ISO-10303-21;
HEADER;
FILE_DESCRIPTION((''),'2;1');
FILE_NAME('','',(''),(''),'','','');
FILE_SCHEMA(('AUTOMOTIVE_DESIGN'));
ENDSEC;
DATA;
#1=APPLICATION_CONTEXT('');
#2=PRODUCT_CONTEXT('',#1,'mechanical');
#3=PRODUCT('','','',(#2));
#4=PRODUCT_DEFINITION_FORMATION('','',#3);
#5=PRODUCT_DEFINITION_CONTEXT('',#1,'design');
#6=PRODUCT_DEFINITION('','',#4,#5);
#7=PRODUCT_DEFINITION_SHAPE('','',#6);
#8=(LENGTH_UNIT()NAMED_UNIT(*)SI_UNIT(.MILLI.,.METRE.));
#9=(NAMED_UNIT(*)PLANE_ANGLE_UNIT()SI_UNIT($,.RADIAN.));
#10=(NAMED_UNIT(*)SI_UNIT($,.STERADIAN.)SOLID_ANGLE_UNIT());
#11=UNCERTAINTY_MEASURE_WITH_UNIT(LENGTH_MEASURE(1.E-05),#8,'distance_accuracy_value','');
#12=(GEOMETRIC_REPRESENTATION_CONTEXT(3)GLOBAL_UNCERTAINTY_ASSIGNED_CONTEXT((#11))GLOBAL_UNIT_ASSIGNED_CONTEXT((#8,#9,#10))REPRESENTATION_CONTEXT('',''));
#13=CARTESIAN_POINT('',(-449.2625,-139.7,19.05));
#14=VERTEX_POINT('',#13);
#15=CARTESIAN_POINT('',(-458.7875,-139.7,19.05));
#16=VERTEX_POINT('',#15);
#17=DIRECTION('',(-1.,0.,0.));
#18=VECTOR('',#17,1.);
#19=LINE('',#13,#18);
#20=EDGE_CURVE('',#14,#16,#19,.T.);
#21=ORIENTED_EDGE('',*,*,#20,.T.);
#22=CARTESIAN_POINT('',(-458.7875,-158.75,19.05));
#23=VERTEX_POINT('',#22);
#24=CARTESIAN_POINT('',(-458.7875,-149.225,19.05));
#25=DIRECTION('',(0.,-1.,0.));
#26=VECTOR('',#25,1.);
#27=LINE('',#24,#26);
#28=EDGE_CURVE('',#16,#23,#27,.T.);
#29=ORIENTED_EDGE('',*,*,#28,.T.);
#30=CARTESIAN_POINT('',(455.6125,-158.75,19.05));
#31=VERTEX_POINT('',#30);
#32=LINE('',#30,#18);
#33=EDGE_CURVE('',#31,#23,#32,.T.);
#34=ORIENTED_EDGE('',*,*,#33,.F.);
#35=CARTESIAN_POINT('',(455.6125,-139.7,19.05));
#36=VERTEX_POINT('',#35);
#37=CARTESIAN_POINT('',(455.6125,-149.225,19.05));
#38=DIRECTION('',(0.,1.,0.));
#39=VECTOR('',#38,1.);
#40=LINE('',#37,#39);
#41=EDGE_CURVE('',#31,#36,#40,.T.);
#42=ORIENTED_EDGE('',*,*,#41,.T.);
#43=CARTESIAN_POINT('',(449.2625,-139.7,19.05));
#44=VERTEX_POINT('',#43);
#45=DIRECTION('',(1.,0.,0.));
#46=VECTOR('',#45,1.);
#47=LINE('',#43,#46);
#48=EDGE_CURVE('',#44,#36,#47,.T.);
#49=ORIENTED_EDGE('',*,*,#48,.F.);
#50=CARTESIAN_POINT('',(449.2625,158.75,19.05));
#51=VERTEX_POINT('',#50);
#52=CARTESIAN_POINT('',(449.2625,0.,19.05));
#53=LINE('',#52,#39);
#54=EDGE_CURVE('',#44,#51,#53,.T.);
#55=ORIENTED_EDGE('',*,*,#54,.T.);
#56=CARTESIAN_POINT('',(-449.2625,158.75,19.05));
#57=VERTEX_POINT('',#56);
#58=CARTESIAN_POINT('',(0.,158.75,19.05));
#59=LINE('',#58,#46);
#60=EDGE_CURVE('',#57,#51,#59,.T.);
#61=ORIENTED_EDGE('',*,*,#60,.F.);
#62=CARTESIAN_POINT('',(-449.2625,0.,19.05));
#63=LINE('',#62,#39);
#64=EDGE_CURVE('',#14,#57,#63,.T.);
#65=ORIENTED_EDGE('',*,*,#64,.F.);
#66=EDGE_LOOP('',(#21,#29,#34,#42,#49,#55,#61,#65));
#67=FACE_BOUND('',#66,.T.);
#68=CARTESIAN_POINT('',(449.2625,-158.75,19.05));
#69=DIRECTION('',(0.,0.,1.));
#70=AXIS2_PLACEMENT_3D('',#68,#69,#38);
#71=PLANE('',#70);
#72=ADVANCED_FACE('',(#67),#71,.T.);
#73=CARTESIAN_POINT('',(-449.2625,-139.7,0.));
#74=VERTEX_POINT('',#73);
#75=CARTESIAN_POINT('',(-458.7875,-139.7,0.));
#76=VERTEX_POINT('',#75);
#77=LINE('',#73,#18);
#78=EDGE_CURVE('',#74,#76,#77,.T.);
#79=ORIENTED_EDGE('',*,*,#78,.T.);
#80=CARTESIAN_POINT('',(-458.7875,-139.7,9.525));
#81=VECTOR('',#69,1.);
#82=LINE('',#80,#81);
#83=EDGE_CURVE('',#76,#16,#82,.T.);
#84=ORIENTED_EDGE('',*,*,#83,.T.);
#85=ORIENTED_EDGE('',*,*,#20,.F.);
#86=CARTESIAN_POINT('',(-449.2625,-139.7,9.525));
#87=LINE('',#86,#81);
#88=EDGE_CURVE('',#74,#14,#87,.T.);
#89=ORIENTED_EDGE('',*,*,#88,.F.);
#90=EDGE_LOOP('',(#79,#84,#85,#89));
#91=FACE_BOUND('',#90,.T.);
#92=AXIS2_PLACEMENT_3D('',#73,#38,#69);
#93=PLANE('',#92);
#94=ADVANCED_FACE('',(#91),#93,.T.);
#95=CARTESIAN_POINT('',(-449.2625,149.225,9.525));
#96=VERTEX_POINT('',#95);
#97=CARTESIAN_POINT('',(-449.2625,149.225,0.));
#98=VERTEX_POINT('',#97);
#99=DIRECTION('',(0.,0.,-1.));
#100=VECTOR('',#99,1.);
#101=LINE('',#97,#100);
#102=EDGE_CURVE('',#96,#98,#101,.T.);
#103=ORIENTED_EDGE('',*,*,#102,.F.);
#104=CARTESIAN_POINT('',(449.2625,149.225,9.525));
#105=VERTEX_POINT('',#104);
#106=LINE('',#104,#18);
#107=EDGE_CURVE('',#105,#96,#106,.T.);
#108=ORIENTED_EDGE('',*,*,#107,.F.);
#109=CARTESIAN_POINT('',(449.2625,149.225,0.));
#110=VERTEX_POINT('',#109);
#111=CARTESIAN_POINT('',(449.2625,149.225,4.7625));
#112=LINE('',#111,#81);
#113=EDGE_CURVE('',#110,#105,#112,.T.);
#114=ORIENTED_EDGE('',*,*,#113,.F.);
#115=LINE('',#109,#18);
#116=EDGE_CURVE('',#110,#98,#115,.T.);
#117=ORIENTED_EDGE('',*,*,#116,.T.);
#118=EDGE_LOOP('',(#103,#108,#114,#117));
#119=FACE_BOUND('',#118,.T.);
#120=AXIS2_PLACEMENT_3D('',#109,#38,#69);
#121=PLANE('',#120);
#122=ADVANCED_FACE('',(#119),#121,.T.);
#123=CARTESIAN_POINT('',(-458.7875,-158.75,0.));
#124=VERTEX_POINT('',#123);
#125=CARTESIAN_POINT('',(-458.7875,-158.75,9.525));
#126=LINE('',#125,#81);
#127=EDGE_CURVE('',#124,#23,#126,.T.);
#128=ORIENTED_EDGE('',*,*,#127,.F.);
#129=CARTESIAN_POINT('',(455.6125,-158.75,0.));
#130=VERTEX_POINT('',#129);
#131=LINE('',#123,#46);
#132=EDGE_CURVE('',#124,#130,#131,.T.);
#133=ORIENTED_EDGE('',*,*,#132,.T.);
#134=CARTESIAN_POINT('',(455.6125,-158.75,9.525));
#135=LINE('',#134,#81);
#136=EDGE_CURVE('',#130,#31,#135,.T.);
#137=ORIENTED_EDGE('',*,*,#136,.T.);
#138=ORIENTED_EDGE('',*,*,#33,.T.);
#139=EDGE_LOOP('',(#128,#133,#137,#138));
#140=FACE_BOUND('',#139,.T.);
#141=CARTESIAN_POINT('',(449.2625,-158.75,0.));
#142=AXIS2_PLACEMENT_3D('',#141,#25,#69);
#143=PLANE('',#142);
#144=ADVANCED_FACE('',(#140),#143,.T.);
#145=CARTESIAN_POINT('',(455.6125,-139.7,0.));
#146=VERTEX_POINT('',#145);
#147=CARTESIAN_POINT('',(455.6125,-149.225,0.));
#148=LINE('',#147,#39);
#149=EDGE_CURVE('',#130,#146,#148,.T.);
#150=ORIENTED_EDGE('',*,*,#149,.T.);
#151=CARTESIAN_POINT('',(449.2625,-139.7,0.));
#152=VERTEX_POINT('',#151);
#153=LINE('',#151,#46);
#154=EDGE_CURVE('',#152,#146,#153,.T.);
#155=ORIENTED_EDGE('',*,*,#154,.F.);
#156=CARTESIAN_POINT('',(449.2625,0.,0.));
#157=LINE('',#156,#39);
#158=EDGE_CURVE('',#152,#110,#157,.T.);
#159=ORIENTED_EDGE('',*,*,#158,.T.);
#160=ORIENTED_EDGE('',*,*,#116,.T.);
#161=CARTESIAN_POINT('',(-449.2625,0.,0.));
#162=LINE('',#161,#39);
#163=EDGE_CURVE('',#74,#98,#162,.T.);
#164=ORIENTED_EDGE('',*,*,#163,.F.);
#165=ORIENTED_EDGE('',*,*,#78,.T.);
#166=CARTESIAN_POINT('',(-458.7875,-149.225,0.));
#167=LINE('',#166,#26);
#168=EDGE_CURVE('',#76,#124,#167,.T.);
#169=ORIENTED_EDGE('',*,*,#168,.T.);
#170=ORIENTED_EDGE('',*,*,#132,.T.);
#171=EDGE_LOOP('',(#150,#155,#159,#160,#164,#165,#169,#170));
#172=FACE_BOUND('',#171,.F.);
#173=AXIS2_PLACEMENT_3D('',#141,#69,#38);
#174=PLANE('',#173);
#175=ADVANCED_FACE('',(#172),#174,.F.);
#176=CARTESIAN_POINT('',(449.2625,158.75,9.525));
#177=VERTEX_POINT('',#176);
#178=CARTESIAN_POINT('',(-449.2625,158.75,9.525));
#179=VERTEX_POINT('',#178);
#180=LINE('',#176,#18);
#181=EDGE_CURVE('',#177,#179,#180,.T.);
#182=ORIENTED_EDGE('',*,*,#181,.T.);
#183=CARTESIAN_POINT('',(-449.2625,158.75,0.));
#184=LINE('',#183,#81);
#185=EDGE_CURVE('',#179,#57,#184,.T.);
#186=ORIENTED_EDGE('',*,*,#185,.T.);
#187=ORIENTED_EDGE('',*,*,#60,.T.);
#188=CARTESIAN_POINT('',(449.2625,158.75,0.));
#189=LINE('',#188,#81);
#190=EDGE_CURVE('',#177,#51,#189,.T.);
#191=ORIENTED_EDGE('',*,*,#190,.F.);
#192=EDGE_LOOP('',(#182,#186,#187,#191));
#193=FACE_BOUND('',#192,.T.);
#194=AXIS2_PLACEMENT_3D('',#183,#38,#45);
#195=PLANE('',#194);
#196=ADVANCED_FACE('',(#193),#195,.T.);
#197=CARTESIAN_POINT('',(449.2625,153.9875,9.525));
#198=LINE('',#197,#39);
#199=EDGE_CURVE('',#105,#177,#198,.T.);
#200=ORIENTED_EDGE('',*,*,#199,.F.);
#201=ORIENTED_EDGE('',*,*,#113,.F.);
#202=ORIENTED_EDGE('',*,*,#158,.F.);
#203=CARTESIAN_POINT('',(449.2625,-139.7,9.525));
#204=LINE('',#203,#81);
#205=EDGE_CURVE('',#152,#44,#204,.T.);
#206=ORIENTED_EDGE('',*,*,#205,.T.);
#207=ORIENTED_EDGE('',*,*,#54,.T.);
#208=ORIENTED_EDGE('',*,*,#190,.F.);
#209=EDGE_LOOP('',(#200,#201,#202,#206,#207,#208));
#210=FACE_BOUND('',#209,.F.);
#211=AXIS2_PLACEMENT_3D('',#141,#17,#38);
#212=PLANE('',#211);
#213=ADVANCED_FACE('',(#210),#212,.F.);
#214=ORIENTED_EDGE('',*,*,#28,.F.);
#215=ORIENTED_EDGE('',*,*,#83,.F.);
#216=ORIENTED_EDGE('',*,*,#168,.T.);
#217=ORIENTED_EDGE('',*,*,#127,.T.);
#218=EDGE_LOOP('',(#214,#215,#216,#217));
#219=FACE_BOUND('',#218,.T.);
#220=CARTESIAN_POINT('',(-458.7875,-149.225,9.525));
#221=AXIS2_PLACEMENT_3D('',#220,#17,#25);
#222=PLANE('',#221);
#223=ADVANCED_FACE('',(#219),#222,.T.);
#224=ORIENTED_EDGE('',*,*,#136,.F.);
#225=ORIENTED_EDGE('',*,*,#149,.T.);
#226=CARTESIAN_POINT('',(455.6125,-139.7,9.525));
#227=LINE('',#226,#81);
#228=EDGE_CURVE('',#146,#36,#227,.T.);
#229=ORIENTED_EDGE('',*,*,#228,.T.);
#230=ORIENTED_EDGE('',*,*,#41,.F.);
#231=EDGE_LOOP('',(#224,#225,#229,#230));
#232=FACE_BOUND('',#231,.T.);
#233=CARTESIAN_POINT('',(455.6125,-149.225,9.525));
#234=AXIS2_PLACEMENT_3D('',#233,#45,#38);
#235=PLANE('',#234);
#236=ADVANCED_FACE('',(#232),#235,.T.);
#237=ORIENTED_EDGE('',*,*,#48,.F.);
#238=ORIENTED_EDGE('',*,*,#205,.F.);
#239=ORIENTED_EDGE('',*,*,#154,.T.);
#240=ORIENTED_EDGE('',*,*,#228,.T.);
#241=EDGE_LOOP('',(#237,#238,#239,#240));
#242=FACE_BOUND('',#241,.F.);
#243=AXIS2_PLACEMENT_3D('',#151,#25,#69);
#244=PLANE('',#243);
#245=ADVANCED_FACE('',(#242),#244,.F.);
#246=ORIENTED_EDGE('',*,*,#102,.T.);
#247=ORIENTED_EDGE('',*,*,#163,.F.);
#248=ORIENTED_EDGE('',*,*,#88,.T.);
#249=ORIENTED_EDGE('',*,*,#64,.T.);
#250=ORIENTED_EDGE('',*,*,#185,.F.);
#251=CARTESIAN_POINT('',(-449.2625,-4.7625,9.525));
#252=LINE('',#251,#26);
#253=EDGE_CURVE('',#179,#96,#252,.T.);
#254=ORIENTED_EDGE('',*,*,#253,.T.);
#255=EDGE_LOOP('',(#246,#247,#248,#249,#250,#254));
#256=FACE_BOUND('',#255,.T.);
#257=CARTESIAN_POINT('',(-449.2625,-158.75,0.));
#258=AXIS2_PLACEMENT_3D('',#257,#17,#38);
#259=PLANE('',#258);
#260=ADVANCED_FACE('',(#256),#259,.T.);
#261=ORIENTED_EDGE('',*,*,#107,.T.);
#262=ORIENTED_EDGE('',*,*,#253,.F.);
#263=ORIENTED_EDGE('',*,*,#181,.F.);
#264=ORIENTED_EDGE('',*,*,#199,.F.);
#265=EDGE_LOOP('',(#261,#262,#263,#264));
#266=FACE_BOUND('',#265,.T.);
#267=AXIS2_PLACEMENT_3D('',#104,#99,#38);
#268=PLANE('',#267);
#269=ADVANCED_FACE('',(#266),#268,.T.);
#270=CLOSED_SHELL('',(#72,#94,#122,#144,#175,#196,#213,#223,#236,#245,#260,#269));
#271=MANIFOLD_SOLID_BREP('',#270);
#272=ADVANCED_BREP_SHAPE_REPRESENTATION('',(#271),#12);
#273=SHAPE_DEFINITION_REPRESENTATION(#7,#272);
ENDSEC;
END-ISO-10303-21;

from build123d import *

# Parameters (mm, degrees)
F0_W     = 898.525
F0_H     = 317.5
F1_DEPTH = 19.05
F2_W     = 9.525
F2_H     = 9.525
F3_DEPTH = 898.526
F4_W     = 19.05
F4_H     = 19.05
F5_DEPTH = 9.525
F6_W     = 19.05
F6_H     = 19.05
F7_DEPTH = 6.35


with BuildPart() as f1:
    # F0 (on Top) → F1 (new body)
    with BuildSketch(Plane.XY):
        Rectangle(F0_W, F0_H)
    extrude(amount=F1_DEPTH)

    # F2 (on face) → F3 (cut, through all)
    with BuildSketch(Plane.YZ.offset(449.2625)):
        with Locations((153.9875, 4.7625)):
            Rectangle(F2_W, F2_H)
    extrude(amount=-F3_DEPTH, mode=Mode.SUBTRACT)

    # F4 (on face) → F5 (join)
    with BuildSketch(Plane(origin=(-449.2625, 0, 0), x_dir=(0, -1, 0), z_dir=(-1, 0, 0))):
        with Locations((149.225, 9.525)):
            Rectangle(F4_W, F4_H)
    extrude(amount=F5_DEPTH)

    # F6 (on face) → F7 (join)
    with BuildSketch(Plane.YZ.offset(449.2625)):
        with Locations((-149.225, 9.525)):
            Rectangle(F6_W, F6_H)
    extrude(amount=F7_DEPTH)


solid = f1.part
